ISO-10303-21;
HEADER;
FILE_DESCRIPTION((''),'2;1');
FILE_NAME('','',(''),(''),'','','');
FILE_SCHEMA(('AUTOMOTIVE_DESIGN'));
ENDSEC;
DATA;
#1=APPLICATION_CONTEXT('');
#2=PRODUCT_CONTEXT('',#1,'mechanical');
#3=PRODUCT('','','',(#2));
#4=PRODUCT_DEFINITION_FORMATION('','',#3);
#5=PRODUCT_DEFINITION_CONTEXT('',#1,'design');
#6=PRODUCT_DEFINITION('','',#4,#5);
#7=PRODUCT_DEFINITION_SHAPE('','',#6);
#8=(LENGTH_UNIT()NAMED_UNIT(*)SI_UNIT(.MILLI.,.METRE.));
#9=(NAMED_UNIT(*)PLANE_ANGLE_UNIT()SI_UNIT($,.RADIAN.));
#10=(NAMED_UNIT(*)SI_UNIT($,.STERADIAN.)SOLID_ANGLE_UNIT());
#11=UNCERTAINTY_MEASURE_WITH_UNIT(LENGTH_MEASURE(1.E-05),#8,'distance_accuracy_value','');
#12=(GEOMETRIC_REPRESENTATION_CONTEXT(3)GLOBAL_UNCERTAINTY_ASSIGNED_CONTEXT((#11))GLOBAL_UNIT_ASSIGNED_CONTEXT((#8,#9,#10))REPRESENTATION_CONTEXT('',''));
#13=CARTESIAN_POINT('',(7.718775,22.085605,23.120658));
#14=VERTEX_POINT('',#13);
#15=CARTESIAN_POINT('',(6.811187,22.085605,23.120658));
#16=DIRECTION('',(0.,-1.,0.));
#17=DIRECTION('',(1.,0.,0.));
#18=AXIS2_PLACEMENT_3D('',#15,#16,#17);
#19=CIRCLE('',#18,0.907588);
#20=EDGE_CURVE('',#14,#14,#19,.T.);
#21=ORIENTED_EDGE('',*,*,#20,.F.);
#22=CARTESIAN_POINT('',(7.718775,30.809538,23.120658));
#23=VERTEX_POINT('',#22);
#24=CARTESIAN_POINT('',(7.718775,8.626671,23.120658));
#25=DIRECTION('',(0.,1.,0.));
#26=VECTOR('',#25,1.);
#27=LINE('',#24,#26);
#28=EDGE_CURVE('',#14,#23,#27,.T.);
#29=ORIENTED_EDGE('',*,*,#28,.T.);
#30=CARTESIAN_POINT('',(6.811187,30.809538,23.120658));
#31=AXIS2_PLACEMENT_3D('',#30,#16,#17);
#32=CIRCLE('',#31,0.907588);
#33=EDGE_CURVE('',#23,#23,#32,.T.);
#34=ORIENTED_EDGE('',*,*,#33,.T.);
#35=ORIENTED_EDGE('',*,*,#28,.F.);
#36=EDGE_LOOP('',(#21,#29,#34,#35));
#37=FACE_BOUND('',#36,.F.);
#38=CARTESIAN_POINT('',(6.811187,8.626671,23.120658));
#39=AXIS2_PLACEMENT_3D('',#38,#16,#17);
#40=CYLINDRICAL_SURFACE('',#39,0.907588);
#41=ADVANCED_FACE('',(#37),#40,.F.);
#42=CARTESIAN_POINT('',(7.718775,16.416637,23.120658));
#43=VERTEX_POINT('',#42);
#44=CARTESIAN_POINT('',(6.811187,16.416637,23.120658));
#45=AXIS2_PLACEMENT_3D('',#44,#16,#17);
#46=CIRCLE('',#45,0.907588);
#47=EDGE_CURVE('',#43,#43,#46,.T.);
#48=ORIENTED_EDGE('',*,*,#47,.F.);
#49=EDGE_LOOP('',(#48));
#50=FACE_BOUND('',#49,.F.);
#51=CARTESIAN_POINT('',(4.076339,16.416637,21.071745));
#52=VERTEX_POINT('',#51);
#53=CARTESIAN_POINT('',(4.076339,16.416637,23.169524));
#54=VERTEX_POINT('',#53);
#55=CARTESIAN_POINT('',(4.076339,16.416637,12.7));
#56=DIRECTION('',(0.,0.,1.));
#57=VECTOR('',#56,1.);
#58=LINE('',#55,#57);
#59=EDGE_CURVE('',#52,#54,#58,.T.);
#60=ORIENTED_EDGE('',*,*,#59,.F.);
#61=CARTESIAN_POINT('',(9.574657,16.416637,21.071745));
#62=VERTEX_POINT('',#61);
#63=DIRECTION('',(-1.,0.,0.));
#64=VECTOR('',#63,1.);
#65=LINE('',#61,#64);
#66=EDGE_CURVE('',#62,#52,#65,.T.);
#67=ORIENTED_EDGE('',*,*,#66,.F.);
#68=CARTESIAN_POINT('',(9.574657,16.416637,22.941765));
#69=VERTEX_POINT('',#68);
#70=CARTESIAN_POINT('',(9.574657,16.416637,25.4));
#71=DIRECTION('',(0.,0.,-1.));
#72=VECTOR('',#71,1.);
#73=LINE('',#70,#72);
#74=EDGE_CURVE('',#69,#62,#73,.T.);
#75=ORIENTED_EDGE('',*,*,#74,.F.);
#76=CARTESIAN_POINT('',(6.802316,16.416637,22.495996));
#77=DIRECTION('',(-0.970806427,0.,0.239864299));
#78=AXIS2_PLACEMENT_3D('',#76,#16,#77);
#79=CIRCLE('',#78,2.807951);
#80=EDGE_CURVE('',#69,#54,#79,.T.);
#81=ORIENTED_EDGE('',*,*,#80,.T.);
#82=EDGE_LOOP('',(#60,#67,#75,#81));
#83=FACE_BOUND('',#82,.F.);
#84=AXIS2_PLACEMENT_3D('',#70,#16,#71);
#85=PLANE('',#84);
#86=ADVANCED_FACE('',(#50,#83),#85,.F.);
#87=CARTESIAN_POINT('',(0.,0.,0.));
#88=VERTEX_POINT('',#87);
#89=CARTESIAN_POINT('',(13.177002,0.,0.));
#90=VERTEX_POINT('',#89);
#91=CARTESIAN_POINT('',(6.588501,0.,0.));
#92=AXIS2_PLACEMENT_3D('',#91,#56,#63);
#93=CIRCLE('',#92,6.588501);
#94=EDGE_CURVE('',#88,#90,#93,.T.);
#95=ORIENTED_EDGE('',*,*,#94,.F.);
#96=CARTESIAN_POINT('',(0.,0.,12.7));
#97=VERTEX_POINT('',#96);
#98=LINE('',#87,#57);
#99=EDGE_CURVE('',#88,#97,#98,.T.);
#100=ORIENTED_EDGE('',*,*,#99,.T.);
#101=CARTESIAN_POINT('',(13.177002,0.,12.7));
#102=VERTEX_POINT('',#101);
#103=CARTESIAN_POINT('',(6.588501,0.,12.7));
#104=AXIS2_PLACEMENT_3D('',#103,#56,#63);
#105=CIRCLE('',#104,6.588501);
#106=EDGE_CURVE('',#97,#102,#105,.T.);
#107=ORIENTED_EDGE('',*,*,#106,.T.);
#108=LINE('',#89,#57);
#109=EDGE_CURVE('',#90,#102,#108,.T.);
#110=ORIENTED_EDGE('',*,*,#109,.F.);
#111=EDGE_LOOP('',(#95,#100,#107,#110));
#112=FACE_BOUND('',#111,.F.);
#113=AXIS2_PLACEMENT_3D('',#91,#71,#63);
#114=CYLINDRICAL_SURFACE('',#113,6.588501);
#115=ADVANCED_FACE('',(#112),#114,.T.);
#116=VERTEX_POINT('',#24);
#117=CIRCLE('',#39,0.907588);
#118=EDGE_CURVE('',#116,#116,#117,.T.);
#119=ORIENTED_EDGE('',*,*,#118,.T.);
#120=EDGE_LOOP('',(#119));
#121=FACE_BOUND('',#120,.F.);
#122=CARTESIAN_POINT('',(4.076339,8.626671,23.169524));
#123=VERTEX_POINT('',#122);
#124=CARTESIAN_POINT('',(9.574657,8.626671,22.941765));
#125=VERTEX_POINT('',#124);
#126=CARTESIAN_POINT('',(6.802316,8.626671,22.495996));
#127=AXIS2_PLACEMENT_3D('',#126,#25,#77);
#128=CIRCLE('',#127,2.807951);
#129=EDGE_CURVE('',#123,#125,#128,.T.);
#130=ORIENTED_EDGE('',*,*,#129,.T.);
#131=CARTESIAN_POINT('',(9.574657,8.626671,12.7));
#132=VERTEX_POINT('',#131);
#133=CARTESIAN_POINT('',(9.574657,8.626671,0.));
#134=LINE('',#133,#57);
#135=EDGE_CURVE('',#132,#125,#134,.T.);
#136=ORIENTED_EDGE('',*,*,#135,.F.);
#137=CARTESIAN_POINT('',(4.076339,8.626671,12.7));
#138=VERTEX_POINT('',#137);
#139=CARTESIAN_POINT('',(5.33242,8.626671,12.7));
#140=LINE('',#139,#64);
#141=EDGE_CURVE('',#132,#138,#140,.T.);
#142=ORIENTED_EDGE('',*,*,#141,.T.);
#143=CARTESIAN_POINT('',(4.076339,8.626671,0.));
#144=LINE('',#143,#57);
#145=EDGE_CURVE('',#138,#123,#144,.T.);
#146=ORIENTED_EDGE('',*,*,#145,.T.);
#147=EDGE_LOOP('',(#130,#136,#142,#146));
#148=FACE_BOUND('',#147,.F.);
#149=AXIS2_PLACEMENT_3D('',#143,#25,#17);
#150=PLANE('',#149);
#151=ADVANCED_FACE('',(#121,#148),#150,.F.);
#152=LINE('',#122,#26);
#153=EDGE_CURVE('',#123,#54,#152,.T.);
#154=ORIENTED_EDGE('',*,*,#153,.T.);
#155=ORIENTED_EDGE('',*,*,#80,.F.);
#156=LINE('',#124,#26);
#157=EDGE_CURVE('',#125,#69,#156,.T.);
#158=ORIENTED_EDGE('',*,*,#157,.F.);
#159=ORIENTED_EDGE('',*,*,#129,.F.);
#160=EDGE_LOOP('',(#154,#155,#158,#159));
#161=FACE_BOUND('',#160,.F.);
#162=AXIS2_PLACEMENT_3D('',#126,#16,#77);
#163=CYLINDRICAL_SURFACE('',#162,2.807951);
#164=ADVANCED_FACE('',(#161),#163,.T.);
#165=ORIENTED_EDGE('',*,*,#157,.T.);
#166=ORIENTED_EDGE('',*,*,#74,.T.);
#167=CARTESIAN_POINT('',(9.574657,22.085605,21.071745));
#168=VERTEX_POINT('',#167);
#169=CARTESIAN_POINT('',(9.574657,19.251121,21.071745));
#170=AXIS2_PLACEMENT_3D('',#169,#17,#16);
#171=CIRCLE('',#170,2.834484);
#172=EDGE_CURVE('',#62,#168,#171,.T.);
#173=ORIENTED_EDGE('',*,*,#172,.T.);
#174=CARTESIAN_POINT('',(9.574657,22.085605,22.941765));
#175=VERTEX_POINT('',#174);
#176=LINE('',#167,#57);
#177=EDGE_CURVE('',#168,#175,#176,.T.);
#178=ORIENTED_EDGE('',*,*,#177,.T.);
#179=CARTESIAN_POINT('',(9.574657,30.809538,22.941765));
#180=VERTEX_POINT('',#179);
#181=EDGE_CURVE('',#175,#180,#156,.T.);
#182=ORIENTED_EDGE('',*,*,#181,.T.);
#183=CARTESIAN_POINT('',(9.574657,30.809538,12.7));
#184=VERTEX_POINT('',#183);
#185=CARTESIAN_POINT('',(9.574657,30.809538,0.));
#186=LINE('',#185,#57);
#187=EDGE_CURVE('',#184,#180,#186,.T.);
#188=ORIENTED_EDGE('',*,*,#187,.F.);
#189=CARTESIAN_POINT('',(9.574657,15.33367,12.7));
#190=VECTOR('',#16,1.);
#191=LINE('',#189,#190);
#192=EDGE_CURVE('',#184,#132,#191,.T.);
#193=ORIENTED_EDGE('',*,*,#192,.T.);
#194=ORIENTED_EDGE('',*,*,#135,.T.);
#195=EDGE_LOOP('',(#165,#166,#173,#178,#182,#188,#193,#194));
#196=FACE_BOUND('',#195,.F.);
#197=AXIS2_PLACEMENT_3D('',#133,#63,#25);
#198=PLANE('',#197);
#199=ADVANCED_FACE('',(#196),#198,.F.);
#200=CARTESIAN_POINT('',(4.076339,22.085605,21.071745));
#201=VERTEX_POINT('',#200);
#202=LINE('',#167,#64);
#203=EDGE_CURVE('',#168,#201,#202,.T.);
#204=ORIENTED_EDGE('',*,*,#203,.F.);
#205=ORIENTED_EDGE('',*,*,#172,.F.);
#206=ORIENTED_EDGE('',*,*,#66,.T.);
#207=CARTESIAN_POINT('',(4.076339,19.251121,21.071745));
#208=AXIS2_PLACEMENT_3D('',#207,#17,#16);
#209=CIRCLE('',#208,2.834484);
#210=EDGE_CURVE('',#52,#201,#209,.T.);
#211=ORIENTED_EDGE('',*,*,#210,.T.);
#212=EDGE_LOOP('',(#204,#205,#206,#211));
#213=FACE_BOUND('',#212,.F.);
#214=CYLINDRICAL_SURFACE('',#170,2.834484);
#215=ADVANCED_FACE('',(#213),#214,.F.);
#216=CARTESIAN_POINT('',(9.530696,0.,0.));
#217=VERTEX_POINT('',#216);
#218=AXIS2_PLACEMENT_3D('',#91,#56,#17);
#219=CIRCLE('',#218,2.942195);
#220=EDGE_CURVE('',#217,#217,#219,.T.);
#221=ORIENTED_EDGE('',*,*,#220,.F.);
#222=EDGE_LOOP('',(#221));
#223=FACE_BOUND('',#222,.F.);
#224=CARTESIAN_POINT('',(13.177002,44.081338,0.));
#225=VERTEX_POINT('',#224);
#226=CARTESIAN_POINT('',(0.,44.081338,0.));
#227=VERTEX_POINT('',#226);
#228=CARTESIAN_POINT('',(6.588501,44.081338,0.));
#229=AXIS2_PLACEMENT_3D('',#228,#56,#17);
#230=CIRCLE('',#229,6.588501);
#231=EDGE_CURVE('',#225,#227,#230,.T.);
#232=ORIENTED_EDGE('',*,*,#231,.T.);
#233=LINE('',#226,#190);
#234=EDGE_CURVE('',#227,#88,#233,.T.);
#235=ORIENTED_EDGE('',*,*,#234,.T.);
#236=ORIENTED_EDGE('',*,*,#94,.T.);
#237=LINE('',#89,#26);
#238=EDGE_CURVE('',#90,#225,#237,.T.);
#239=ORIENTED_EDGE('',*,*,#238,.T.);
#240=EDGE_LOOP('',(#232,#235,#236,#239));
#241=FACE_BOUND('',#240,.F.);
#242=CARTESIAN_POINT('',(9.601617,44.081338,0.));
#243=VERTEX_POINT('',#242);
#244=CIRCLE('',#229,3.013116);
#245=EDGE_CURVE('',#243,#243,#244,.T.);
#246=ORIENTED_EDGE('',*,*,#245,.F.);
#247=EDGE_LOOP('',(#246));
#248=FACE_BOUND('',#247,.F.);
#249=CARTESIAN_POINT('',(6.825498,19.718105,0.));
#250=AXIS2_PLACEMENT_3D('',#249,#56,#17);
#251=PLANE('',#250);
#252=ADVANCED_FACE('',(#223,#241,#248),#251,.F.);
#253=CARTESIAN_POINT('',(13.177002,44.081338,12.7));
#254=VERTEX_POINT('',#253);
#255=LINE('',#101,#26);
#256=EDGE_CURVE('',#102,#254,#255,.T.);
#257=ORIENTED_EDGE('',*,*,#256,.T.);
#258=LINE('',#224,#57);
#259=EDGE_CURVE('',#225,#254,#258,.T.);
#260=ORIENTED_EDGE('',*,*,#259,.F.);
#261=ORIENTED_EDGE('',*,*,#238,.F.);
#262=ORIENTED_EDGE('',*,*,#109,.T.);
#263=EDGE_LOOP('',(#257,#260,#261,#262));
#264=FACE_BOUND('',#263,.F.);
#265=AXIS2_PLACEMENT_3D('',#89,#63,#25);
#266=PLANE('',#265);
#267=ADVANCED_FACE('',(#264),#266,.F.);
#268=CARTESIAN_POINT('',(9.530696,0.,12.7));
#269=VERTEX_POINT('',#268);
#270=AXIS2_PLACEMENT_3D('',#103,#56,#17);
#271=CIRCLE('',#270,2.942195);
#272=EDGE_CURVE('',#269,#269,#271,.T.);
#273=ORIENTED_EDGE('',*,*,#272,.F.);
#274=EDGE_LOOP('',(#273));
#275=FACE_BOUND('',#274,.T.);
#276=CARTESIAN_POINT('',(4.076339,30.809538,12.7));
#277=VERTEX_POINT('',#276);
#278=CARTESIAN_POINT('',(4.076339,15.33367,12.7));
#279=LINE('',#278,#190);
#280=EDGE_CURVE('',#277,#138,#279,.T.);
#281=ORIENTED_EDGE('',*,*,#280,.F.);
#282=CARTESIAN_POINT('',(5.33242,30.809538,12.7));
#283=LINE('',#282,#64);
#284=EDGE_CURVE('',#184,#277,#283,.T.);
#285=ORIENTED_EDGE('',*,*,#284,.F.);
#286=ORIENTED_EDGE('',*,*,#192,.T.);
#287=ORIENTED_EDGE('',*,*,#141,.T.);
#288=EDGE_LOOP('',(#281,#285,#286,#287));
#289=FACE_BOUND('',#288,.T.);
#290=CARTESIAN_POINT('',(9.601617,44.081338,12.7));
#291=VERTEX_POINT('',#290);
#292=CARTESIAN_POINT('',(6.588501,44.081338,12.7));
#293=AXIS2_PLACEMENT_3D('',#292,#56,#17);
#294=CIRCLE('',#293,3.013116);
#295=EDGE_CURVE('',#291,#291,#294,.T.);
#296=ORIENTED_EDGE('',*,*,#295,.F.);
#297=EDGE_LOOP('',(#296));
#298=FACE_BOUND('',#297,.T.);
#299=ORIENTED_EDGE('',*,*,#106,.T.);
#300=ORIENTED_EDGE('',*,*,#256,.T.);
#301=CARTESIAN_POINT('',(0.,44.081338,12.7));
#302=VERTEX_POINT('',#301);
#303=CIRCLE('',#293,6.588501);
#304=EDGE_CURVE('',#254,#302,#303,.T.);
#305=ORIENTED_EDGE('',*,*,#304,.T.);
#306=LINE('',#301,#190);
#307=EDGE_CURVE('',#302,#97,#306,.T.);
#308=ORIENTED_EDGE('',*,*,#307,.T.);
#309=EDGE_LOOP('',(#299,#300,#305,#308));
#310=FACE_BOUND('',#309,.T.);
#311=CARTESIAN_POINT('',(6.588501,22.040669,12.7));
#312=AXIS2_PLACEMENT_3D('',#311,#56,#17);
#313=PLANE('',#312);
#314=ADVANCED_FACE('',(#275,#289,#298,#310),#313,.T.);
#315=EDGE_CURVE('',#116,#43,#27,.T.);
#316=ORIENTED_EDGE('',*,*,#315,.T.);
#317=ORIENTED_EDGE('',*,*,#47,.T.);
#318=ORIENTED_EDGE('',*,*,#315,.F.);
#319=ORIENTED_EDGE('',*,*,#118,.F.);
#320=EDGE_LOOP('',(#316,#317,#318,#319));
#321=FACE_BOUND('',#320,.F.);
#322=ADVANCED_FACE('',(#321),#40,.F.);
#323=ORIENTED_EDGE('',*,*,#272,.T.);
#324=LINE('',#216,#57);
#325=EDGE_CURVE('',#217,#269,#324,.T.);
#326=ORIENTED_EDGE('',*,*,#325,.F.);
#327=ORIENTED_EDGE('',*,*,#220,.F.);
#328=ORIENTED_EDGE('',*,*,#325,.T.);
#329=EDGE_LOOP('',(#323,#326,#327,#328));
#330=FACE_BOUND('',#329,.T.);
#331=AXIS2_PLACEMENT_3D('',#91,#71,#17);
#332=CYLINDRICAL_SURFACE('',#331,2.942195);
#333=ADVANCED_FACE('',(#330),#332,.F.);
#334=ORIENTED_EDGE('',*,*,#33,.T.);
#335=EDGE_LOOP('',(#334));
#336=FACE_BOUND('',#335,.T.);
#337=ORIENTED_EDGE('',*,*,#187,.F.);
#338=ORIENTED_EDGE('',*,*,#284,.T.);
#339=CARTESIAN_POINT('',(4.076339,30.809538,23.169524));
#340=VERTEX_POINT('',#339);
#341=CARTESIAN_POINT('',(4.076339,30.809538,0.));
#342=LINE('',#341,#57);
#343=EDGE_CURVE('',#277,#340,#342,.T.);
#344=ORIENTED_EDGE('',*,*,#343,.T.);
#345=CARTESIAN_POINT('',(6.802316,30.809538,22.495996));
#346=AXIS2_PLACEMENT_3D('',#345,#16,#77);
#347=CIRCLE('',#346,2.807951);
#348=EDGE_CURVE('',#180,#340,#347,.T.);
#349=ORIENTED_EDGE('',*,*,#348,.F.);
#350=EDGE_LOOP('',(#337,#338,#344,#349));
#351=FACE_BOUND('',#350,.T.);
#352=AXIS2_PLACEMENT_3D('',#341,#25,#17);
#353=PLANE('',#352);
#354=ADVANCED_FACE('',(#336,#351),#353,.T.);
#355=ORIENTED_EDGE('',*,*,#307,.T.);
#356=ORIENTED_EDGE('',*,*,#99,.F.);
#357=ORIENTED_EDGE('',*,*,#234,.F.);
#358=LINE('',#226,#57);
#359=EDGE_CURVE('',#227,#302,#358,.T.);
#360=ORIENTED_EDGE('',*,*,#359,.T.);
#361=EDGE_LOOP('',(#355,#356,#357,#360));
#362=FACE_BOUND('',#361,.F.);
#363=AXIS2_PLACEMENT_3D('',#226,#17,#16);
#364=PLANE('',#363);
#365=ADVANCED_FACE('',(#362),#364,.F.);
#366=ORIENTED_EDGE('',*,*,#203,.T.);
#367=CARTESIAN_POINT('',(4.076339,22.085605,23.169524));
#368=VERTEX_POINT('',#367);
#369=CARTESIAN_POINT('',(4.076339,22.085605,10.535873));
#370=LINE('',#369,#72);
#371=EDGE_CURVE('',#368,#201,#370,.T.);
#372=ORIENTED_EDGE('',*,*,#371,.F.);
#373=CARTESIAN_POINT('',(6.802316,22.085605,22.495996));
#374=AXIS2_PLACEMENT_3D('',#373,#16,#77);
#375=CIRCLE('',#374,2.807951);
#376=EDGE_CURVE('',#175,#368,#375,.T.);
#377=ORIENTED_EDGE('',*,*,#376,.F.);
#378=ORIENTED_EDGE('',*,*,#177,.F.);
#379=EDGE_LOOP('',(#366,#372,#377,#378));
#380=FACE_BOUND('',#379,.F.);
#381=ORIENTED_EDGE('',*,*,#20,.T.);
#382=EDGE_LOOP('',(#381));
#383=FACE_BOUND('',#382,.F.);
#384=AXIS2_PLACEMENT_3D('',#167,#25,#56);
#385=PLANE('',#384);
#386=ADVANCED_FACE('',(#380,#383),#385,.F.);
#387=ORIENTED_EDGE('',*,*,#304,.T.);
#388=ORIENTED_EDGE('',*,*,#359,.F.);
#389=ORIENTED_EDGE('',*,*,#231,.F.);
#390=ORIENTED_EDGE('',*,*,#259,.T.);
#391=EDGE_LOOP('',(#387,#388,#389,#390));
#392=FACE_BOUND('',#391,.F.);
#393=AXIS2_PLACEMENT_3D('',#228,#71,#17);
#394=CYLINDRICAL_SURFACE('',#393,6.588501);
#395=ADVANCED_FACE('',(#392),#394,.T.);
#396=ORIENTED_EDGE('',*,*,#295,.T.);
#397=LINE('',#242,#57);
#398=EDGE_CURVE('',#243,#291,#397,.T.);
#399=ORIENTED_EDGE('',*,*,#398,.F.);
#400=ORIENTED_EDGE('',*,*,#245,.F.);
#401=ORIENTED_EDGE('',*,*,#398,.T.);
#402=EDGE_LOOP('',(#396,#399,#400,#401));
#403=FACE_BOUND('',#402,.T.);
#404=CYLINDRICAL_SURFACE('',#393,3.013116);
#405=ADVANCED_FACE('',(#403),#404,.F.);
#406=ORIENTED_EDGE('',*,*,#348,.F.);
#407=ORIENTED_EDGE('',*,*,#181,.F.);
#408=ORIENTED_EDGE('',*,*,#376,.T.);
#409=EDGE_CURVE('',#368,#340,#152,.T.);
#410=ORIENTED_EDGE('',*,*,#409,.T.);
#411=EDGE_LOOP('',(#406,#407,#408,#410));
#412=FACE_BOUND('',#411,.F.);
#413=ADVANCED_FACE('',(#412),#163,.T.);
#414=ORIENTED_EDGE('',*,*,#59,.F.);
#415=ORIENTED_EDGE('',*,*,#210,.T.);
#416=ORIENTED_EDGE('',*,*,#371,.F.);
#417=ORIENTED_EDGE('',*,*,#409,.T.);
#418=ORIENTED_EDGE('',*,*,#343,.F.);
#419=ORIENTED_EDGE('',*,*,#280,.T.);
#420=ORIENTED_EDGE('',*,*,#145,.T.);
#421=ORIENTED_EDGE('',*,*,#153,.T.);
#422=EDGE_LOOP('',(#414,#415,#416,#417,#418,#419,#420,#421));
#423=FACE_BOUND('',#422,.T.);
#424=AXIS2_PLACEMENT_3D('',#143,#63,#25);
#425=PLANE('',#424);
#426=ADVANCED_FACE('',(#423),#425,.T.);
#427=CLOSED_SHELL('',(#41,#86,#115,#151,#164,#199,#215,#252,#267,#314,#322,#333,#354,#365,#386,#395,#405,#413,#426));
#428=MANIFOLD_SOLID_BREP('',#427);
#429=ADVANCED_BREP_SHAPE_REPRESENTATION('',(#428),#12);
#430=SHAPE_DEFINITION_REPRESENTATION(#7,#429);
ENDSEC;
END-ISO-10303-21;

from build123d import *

# Parameters (mm, degrees)
F0_R     = 2.9421946195
F0_R_2   = 3.0131155992
F1_DEPTH = 12.7
F2_W     = 5.4983180016
F2_H     = 22.1828678623
F3_DEPTH = 25.4
F5_DEPTH = 25.4
F7_DEPTH = 127
F8_R     = 0.907588381
F9_DEPTH = 127


with BuildPart() as f1:
    # F0 (on Top) → F1 (new body)
    with BuildSketch(Plane.XY):
        with BuildLine():
            Line((0, 44.08133775), (0, 0))
            ThreePointArc((0, 0), (6.5885009244, -6.5885009244), (13.1770018488, 0))
            Line((13.1770018488, 0), (13.1770018488, 44.08133775))
            ThreePointArc((13.1770018488, 44.08133775), (6.5885009244, 50.6698386744), (0, 44.08133775))
        make_face()
        with Locations((6.5885009244, 0)):
            Circle(F0_R, mode=Mode.SUBTRACT)
        with Locations((6.5885009244, 44.08133775)):
            Circle(F0_R_2, mode=Mode.SUBTRACT)
    extrude(amount=F1_DEPTH)

    # F2 (on Top) → F3 (join)
    with BuildSketch(Plane.XY):
        with Locations((6.8254983053, 19.7181045078)):
            Rectangle(F2_W, F2_H)
    extrude(amount=F3_DEPTH)

    # F4 (on face) → F5 (cut)
    with BuildSketch(Plane.YZ.offset(9.5746573061)):
        with BuildLine():
            Line((22.0856051892, 25.4), (16.4166372269, 25.4))
            Line((16.4166372269, 25.4), (16.4166372269, 21.0717450827))
            ThreePointArc((16.4166372269, 21.0717450827), (19.2511212081, 18.2372611016), (22.0856051892, 21.0717450827))
            Line((22.0856051892, 21.0717450827), (22.0856051892, 25.4))
        make_face()
    extrude(amount=-F5_DEPTH, mode=Mode.SUBTRACT)

    # F6 (on face) → F7 (cut)
    with BuildSketch(Plane.XZ.offset(-8.6266705766)):
        with BuildLine():
            ThreePointArc((4.0763393044, 23.1695235286), (6.9185308411, 25.3015410804), (9.5746573061, 22.9417648677))
            Line((9.5746573061, 22.9417648677), (9.5746573061, 25.4))
            Line((9.5746573061, 25.4), (8.0125611275, 25.4))
            Line((8.0125611275, 25.4), (5.4706284103, 25.4))
            Line((5.4706284103, 25.4), (4.0763393044, 25.4))
            Line((4.0763393044, 25.4), (4.0763393044, 23.5414523631))
            Line((4.0763393044, 23.5414523631), (4.0763393044, 23.1695235286))
        make_face()
    extrude(amount=-F7_DEPTH, mode=Mode.SUBTRACT)

    # F8 (on face) → F9 (cut)
    with BuildSketch(Plane.XZ.offset(-8.6266705766)):
        with Locations((6.8111866713, 23.1206584722)):
            Circle(F8_R)
    extrude(amount=-F9_DEPTH, mode=Mode.SUBTRACT)


solid = f1.part
